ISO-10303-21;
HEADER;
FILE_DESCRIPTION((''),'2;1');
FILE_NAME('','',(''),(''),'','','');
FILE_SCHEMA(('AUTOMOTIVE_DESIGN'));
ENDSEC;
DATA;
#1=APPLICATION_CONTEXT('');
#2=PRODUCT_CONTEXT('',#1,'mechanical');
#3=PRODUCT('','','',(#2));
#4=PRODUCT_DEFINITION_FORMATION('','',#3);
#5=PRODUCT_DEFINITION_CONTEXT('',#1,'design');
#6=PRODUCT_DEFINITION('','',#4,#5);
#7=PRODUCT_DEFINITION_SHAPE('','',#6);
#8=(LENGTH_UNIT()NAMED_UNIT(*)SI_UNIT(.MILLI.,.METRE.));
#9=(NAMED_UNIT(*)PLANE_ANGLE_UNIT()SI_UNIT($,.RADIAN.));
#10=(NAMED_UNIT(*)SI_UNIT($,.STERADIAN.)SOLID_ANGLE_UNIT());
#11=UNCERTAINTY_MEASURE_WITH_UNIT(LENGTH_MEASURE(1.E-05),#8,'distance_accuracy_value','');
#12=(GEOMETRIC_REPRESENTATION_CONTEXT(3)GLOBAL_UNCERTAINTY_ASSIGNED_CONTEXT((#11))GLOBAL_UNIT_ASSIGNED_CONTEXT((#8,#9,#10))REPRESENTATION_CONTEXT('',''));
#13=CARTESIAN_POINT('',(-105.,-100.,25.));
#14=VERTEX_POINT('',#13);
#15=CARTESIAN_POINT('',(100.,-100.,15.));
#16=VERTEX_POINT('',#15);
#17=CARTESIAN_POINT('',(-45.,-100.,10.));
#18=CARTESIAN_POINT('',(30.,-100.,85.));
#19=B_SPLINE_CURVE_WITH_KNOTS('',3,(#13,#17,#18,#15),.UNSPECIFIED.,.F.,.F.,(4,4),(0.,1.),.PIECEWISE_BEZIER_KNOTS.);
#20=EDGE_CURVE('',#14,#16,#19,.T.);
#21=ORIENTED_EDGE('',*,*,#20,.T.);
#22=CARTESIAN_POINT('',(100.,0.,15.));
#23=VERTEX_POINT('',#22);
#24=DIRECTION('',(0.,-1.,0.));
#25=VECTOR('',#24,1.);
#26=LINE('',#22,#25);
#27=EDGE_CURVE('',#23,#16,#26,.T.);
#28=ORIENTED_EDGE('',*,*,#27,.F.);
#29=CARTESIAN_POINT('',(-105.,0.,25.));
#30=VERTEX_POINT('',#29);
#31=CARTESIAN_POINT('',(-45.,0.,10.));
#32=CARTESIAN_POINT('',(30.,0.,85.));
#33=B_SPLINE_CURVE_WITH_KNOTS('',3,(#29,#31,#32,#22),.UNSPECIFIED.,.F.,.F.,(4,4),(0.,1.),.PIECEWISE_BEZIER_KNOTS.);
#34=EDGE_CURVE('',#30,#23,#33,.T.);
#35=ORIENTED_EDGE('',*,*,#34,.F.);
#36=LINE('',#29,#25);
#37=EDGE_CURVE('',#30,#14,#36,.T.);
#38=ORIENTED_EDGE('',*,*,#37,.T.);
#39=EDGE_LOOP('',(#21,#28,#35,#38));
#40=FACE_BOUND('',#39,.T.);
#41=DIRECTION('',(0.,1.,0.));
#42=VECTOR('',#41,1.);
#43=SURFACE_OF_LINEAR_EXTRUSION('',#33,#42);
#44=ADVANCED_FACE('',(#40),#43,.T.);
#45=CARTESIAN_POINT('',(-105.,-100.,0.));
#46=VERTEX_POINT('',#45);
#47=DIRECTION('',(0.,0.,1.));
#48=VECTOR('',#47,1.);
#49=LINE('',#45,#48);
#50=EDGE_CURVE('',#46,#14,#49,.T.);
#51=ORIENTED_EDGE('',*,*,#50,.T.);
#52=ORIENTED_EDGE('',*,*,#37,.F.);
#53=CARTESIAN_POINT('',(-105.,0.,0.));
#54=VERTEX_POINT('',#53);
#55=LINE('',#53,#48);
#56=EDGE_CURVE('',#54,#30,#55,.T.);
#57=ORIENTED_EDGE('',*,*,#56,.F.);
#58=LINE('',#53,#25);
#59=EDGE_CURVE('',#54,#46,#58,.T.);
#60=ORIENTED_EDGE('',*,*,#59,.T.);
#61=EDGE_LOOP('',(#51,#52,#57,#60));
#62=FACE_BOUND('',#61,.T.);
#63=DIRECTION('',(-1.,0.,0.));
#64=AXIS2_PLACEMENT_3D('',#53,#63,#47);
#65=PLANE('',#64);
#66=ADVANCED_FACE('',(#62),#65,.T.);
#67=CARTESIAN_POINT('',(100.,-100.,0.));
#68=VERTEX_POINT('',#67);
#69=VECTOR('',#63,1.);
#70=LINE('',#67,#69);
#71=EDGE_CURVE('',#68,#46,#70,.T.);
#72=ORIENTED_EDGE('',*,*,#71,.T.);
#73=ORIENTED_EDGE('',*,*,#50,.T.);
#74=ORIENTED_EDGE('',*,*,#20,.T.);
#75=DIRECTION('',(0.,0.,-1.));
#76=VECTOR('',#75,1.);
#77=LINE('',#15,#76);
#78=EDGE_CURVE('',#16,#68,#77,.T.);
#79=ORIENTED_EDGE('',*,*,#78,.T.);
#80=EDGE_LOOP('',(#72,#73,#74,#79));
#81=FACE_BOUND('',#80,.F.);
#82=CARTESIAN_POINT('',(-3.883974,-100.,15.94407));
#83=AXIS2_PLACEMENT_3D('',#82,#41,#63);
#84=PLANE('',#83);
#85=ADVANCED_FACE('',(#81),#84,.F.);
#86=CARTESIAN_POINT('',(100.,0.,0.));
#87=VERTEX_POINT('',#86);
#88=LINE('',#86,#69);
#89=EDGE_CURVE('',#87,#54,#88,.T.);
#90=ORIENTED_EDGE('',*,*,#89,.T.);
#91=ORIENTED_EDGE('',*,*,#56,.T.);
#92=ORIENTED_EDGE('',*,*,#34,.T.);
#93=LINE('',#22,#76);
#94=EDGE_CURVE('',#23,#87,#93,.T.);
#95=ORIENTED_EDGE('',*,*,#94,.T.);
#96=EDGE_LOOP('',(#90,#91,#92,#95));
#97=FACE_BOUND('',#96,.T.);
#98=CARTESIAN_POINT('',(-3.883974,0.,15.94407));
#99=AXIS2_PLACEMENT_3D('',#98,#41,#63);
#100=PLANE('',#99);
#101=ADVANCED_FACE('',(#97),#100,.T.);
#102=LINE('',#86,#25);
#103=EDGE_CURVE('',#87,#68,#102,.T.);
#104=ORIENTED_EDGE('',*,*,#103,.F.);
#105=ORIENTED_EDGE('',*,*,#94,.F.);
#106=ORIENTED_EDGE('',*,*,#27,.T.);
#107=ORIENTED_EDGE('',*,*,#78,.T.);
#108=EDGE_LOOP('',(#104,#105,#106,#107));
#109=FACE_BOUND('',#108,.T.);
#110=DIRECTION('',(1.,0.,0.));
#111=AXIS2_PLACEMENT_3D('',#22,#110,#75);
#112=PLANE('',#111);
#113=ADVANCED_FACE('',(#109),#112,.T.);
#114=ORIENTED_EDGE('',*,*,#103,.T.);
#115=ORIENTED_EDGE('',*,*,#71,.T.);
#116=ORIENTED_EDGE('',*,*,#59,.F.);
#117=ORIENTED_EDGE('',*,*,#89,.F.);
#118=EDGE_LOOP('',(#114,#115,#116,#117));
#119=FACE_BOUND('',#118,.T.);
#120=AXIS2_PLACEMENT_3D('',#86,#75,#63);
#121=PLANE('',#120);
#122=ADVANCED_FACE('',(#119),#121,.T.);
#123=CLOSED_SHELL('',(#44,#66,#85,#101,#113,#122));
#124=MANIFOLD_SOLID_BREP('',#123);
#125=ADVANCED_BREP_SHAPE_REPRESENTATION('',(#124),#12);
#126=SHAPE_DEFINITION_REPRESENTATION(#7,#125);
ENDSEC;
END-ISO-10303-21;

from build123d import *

# Parameters (mm, degrees)
PAD_DEPTH = 100


with BuildPart() as part:
    # Sketch → Pad (new body)
    with BuildSketch(Plane.XZ):
        with BuildLine():
            add(Edge.make_bspline(
                [(-105, 25), (-45, 10), (30, 85), (100, 15)],
                knots=[0, 0, 0, 0, 1, 1, 1, 1], degree=3))
            Line((100, 15), (100, 0))
            Line((100, 0), (-105, 0))
            Line((-105, 0), (-105, 25))
        make_face()
    extrude(amount=PAD_DEPTH)


solid = part.part
